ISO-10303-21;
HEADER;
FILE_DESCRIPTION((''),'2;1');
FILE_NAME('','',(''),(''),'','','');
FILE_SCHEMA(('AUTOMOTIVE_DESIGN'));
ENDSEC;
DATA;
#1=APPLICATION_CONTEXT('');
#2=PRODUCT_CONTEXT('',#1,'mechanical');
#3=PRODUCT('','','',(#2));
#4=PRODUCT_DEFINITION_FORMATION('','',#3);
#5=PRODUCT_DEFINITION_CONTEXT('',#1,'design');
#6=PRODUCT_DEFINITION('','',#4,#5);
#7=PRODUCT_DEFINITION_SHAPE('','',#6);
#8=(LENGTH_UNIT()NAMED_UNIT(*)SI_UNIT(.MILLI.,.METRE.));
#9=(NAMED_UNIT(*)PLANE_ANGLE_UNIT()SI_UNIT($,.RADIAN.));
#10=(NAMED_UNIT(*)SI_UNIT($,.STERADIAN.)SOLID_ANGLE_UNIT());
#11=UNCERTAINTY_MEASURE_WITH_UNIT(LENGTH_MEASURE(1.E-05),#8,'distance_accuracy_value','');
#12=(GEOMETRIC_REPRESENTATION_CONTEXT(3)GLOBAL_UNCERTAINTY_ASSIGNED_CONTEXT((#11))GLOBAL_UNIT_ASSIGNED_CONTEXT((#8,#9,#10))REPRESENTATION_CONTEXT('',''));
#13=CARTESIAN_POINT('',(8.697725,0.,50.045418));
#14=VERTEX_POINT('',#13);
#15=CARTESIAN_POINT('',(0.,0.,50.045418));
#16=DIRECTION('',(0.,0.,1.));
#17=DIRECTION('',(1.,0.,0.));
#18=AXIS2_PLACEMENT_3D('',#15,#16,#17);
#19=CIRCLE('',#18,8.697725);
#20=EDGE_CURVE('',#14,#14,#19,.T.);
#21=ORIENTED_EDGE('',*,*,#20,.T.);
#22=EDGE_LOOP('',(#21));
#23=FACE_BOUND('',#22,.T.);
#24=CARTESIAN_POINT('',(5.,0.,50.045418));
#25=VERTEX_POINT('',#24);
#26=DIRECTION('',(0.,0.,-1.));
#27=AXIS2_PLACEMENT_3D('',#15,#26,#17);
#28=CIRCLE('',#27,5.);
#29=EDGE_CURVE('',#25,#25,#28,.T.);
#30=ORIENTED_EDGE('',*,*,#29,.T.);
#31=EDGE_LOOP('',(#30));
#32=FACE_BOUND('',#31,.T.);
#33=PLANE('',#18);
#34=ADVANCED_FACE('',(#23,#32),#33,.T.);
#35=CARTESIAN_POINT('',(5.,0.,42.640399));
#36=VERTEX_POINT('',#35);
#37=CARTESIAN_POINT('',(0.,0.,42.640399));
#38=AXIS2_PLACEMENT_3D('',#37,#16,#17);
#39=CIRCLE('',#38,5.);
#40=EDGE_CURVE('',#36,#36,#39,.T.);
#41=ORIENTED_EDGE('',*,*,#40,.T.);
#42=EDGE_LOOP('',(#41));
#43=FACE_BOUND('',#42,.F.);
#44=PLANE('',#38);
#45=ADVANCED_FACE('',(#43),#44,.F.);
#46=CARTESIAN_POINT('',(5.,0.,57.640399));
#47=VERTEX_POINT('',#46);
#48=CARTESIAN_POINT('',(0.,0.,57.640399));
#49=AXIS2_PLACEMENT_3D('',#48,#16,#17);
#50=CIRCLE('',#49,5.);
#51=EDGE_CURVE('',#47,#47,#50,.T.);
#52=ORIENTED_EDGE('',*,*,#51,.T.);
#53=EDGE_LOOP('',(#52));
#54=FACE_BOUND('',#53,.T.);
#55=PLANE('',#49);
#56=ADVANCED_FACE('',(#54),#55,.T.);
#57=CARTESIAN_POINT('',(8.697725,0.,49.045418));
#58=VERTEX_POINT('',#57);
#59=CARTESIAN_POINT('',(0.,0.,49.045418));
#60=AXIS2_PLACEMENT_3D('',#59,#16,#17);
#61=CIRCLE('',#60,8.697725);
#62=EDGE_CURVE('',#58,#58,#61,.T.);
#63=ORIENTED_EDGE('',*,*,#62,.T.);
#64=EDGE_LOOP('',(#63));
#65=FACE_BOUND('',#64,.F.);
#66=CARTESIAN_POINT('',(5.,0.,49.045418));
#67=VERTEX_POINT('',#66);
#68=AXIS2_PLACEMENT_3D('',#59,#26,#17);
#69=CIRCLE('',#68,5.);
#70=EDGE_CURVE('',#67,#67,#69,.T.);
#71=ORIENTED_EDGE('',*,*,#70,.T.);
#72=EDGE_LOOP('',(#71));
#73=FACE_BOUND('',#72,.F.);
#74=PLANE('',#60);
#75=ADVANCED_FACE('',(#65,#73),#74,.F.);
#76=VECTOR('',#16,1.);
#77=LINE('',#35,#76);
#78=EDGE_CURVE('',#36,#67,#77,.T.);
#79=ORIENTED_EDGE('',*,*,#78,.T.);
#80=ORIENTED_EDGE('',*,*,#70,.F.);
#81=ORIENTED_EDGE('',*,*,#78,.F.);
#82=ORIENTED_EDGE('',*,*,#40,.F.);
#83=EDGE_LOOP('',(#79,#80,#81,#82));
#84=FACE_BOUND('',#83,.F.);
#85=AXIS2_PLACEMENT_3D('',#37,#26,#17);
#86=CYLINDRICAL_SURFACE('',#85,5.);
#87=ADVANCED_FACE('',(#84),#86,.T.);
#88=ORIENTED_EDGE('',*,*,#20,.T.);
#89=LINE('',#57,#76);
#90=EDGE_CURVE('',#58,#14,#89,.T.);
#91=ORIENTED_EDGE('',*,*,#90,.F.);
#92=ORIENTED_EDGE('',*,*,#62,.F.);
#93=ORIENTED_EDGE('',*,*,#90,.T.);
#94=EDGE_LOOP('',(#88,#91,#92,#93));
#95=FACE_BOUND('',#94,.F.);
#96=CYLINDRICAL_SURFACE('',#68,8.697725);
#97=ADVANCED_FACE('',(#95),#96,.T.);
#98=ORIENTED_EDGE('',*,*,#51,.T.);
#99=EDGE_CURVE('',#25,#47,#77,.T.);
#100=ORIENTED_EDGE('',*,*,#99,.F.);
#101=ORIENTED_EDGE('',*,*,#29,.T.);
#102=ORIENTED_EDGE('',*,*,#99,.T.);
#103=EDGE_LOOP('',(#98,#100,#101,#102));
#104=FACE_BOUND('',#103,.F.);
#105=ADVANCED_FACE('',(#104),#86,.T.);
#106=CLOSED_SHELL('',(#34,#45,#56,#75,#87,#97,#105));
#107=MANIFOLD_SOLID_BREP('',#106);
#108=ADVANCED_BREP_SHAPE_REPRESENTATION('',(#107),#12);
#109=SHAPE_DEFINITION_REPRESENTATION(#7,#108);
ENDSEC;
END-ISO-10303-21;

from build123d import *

# Parameters (mm, degrees)
CIRCLE001_R    = 8.697725
EXTRUDE_DEPTH  = 1
CYLINDER_R     = 5
CYLINDER_DEPTH = 15


with BuildPart() as neckblock:
    # Circle001 → Extrude (new body)
    with BuildSketch(Plane.XY.offset(57.640399)):
        Circle(CIRCLE001_R)
    extrude(amount=EXTRUDE_DEPTH)


with BuildPart() as neckblock_1:
    # Extrude placement: moved
    add(neckblock.part.moved(Location((0, 0, -8.594981))))


with BuildPart() as neckwithblock:
    # Cylinder → Cylinder (new body)
    with BuildSketch(Plane.XY.offset(42.640399)):
        Circle(CYLINDER_R)
    extrude(amount=CYLINDER_DEPTH)

    # Fusion002: union NeckBlock
    add(neckblock_1.part)


solid = neckwithblock.part
